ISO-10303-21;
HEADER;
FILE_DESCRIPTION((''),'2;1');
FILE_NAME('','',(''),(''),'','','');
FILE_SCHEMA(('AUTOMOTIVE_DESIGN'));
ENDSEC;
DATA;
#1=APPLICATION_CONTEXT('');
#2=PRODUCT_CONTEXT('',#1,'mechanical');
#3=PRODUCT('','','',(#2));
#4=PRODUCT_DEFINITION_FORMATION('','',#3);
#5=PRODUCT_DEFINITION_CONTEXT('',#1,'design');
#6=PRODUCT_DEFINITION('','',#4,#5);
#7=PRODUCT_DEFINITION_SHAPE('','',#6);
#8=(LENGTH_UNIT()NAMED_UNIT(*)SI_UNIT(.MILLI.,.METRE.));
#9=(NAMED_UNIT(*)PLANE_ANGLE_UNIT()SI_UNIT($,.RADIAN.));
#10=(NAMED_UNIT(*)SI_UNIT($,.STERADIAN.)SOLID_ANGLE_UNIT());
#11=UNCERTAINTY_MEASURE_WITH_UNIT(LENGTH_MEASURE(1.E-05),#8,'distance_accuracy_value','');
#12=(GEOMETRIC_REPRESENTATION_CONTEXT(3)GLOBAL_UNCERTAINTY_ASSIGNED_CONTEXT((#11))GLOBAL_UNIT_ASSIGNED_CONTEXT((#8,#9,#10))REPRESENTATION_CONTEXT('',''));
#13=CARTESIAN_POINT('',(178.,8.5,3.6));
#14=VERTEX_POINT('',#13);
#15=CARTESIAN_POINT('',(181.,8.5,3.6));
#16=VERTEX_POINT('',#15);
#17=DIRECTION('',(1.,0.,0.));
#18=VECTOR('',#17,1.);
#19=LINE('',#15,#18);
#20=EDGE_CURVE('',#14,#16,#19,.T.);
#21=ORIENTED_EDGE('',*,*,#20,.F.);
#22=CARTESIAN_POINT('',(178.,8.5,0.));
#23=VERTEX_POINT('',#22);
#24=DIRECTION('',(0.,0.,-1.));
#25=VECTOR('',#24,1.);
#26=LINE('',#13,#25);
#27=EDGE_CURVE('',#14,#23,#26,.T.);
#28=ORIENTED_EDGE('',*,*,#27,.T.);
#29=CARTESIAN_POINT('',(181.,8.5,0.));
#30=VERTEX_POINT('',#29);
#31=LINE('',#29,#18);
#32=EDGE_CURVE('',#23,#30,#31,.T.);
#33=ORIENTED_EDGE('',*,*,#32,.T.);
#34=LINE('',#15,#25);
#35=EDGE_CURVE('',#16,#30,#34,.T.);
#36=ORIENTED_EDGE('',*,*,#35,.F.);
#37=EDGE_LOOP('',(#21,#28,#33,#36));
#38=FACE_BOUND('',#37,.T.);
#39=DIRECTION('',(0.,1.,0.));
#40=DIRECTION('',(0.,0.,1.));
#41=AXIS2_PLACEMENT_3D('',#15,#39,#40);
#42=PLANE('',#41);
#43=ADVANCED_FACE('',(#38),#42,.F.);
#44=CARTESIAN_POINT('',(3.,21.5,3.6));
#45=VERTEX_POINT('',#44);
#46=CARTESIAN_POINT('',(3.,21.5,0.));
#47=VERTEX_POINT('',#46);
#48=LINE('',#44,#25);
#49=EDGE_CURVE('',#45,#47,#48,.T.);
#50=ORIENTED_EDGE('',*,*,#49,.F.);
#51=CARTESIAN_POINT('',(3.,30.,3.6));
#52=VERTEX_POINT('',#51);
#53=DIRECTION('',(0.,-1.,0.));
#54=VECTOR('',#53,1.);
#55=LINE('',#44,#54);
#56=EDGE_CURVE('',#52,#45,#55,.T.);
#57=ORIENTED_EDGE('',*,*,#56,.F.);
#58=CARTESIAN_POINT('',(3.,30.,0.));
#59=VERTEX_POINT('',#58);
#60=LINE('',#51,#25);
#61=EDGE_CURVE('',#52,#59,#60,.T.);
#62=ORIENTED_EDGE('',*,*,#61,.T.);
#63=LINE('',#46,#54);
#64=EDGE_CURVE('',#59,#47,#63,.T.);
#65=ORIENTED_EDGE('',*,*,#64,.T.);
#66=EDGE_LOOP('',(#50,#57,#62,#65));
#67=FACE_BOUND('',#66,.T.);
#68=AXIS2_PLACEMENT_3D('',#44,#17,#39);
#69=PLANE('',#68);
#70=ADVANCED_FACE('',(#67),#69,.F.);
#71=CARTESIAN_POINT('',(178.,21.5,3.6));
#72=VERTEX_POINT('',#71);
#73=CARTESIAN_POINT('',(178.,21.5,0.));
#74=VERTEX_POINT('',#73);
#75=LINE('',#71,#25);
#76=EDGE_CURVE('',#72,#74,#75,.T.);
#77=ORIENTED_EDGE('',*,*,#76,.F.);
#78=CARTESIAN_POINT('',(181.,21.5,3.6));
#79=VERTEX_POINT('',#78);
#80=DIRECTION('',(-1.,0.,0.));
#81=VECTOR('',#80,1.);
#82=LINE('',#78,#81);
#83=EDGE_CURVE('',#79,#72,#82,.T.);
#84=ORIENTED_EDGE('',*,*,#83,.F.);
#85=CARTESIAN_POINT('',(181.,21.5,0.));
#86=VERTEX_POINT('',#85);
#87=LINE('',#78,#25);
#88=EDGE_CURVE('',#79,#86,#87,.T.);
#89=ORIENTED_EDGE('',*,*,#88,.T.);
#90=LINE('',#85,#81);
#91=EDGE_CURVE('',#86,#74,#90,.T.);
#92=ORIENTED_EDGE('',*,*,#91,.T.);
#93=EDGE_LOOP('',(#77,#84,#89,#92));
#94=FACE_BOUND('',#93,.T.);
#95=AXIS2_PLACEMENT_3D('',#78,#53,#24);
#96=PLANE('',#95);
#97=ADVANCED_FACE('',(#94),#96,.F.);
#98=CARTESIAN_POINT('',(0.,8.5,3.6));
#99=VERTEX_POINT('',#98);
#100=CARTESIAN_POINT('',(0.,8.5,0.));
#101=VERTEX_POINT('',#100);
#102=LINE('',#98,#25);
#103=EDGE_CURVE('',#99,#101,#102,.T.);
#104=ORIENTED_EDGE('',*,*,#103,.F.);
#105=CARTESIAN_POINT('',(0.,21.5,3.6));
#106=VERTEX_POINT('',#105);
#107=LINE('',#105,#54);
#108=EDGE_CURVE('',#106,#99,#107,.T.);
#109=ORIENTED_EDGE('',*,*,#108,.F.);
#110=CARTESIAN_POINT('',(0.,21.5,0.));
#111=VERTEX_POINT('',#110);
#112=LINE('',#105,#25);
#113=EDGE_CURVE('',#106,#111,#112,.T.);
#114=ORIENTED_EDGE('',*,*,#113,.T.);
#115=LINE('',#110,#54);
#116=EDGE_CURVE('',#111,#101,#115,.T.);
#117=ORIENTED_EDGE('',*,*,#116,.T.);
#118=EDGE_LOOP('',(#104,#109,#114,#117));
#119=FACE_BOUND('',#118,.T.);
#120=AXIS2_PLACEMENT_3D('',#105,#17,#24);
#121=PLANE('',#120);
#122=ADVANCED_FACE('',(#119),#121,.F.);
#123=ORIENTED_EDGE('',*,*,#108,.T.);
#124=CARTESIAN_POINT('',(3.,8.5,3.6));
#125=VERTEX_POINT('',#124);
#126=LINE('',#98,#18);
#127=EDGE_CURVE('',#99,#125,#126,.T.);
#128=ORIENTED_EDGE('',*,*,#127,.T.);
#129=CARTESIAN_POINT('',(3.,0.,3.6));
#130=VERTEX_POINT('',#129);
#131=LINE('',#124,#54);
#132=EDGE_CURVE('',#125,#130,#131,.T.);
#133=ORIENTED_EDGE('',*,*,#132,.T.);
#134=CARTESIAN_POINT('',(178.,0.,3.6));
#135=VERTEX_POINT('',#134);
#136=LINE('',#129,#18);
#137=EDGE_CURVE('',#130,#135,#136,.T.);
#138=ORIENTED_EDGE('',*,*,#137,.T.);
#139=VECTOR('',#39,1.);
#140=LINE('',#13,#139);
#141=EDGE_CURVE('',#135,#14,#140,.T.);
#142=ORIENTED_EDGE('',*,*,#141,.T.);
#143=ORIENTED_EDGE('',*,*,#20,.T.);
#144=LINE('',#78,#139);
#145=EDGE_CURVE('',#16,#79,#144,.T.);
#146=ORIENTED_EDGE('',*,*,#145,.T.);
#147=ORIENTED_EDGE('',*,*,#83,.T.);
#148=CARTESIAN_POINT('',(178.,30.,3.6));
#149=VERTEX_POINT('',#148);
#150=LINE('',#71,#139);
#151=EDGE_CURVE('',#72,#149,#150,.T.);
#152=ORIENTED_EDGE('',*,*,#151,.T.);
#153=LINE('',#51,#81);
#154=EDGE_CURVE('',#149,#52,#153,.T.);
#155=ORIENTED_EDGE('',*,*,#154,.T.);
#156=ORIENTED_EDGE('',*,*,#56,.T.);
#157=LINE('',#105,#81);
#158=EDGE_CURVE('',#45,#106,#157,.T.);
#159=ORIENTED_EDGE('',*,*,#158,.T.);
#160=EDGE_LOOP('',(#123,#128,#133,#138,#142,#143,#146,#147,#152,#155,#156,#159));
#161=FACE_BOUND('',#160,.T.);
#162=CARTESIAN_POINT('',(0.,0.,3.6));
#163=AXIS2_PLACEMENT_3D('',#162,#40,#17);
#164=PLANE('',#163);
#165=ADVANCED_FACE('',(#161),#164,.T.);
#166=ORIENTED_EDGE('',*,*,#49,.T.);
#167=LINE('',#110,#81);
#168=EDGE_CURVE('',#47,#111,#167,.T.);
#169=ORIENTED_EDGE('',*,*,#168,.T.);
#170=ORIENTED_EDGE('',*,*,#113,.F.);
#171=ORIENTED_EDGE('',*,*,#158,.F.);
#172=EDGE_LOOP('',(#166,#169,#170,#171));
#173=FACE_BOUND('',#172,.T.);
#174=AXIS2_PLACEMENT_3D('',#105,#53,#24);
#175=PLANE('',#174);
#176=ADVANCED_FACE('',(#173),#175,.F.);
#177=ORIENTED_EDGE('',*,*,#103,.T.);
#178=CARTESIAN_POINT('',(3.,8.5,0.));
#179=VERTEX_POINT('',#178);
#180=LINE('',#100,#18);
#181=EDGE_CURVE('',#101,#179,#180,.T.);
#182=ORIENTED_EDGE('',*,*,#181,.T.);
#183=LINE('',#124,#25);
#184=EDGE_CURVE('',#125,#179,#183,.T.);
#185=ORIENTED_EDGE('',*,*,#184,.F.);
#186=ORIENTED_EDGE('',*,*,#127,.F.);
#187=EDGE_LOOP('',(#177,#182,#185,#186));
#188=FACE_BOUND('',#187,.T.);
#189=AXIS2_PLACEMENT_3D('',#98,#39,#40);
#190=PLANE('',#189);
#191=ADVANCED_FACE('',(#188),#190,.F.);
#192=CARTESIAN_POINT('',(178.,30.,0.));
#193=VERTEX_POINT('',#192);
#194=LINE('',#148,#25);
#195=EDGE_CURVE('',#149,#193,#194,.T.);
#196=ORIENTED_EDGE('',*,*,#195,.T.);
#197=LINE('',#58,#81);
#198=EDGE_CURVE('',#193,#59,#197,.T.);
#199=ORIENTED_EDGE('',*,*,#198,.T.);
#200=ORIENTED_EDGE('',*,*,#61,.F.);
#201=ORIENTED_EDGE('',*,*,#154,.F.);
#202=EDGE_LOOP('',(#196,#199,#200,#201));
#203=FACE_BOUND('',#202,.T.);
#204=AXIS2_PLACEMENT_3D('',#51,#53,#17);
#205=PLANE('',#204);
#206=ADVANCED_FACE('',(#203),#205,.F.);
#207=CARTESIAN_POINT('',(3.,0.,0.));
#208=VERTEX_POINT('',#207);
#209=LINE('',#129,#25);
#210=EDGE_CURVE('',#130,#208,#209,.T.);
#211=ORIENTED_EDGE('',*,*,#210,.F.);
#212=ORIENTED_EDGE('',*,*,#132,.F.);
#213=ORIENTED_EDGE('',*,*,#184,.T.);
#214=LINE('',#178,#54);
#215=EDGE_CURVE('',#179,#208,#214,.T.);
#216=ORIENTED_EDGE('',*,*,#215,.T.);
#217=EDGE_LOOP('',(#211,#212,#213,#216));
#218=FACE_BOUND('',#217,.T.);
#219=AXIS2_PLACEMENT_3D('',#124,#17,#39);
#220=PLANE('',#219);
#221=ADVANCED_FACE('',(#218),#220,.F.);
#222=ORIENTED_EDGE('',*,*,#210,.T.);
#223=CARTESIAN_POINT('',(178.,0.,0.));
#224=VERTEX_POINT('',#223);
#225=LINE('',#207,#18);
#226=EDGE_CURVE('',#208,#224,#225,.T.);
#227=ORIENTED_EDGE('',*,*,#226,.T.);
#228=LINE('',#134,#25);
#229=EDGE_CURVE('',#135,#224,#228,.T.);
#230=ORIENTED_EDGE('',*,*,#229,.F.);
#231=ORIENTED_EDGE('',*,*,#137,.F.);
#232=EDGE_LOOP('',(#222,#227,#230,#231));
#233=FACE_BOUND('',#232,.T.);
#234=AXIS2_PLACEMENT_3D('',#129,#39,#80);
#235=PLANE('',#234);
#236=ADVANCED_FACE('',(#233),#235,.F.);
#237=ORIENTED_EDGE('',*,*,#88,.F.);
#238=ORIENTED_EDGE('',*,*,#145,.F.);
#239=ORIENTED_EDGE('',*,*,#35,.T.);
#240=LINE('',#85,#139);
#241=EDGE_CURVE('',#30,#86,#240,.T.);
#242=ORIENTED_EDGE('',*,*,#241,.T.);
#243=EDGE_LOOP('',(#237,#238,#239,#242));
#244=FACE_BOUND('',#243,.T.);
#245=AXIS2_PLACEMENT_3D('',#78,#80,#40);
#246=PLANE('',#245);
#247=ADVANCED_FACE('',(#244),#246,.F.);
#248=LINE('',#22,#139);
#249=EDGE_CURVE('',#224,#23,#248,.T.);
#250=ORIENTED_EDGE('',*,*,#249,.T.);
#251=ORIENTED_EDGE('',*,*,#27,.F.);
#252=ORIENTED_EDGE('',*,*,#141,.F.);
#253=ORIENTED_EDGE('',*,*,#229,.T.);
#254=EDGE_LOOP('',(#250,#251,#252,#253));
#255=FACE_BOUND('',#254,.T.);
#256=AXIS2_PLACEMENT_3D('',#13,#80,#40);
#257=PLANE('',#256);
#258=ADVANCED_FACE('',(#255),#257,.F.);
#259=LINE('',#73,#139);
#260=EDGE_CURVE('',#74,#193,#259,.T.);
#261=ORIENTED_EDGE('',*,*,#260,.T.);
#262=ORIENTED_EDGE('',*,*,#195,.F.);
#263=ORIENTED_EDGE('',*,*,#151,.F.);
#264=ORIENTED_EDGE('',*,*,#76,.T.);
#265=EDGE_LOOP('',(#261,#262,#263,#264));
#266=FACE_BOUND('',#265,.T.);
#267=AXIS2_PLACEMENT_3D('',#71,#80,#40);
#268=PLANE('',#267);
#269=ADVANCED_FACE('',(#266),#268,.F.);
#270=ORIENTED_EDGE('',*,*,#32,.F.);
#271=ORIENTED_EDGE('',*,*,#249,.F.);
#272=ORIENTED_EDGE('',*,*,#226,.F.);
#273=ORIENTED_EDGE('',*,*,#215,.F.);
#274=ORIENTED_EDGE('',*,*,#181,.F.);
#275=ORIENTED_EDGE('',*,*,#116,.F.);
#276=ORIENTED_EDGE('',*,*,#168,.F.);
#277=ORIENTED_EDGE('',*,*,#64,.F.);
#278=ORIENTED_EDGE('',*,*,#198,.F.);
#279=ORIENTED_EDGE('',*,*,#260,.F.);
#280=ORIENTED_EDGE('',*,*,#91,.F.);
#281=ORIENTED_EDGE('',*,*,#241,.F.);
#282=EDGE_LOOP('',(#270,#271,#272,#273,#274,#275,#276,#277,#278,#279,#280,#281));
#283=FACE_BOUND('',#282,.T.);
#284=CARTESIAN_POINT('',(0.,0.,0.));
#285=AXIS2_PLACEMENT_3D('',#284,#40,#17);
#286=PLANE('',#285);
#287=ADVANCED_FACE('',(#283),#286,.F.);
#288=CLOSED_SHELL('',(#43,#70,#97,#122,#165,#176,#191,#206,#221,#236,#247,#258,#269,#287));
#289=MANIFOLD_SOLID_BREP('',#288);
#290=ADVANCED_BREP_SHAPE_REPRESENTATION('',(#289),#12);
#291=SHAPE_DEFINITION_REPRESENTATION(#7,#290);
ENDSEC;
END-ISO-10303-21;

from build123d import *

# Parameters (mm, degrees)
BOSS_EXTRUDE1_DEPTH = 3.6


with BuildPart() as part:
    # Sketch1 → Boss-Extrude1 (new body)
    with BuildSketch(Plane.XY):
        Polygon((3, 21.5), (3, 30), (178, 30), (178, 21.5), (181, 21.5), (181, 8.5), (178, 8.5), (178, 0), (3, 0), (3, 8.5), (0, 8.5), (0, 21.5), align=None)
    extrude(amount=BOSS_EXTRUDE1_DEPTH)


solid = part.part
